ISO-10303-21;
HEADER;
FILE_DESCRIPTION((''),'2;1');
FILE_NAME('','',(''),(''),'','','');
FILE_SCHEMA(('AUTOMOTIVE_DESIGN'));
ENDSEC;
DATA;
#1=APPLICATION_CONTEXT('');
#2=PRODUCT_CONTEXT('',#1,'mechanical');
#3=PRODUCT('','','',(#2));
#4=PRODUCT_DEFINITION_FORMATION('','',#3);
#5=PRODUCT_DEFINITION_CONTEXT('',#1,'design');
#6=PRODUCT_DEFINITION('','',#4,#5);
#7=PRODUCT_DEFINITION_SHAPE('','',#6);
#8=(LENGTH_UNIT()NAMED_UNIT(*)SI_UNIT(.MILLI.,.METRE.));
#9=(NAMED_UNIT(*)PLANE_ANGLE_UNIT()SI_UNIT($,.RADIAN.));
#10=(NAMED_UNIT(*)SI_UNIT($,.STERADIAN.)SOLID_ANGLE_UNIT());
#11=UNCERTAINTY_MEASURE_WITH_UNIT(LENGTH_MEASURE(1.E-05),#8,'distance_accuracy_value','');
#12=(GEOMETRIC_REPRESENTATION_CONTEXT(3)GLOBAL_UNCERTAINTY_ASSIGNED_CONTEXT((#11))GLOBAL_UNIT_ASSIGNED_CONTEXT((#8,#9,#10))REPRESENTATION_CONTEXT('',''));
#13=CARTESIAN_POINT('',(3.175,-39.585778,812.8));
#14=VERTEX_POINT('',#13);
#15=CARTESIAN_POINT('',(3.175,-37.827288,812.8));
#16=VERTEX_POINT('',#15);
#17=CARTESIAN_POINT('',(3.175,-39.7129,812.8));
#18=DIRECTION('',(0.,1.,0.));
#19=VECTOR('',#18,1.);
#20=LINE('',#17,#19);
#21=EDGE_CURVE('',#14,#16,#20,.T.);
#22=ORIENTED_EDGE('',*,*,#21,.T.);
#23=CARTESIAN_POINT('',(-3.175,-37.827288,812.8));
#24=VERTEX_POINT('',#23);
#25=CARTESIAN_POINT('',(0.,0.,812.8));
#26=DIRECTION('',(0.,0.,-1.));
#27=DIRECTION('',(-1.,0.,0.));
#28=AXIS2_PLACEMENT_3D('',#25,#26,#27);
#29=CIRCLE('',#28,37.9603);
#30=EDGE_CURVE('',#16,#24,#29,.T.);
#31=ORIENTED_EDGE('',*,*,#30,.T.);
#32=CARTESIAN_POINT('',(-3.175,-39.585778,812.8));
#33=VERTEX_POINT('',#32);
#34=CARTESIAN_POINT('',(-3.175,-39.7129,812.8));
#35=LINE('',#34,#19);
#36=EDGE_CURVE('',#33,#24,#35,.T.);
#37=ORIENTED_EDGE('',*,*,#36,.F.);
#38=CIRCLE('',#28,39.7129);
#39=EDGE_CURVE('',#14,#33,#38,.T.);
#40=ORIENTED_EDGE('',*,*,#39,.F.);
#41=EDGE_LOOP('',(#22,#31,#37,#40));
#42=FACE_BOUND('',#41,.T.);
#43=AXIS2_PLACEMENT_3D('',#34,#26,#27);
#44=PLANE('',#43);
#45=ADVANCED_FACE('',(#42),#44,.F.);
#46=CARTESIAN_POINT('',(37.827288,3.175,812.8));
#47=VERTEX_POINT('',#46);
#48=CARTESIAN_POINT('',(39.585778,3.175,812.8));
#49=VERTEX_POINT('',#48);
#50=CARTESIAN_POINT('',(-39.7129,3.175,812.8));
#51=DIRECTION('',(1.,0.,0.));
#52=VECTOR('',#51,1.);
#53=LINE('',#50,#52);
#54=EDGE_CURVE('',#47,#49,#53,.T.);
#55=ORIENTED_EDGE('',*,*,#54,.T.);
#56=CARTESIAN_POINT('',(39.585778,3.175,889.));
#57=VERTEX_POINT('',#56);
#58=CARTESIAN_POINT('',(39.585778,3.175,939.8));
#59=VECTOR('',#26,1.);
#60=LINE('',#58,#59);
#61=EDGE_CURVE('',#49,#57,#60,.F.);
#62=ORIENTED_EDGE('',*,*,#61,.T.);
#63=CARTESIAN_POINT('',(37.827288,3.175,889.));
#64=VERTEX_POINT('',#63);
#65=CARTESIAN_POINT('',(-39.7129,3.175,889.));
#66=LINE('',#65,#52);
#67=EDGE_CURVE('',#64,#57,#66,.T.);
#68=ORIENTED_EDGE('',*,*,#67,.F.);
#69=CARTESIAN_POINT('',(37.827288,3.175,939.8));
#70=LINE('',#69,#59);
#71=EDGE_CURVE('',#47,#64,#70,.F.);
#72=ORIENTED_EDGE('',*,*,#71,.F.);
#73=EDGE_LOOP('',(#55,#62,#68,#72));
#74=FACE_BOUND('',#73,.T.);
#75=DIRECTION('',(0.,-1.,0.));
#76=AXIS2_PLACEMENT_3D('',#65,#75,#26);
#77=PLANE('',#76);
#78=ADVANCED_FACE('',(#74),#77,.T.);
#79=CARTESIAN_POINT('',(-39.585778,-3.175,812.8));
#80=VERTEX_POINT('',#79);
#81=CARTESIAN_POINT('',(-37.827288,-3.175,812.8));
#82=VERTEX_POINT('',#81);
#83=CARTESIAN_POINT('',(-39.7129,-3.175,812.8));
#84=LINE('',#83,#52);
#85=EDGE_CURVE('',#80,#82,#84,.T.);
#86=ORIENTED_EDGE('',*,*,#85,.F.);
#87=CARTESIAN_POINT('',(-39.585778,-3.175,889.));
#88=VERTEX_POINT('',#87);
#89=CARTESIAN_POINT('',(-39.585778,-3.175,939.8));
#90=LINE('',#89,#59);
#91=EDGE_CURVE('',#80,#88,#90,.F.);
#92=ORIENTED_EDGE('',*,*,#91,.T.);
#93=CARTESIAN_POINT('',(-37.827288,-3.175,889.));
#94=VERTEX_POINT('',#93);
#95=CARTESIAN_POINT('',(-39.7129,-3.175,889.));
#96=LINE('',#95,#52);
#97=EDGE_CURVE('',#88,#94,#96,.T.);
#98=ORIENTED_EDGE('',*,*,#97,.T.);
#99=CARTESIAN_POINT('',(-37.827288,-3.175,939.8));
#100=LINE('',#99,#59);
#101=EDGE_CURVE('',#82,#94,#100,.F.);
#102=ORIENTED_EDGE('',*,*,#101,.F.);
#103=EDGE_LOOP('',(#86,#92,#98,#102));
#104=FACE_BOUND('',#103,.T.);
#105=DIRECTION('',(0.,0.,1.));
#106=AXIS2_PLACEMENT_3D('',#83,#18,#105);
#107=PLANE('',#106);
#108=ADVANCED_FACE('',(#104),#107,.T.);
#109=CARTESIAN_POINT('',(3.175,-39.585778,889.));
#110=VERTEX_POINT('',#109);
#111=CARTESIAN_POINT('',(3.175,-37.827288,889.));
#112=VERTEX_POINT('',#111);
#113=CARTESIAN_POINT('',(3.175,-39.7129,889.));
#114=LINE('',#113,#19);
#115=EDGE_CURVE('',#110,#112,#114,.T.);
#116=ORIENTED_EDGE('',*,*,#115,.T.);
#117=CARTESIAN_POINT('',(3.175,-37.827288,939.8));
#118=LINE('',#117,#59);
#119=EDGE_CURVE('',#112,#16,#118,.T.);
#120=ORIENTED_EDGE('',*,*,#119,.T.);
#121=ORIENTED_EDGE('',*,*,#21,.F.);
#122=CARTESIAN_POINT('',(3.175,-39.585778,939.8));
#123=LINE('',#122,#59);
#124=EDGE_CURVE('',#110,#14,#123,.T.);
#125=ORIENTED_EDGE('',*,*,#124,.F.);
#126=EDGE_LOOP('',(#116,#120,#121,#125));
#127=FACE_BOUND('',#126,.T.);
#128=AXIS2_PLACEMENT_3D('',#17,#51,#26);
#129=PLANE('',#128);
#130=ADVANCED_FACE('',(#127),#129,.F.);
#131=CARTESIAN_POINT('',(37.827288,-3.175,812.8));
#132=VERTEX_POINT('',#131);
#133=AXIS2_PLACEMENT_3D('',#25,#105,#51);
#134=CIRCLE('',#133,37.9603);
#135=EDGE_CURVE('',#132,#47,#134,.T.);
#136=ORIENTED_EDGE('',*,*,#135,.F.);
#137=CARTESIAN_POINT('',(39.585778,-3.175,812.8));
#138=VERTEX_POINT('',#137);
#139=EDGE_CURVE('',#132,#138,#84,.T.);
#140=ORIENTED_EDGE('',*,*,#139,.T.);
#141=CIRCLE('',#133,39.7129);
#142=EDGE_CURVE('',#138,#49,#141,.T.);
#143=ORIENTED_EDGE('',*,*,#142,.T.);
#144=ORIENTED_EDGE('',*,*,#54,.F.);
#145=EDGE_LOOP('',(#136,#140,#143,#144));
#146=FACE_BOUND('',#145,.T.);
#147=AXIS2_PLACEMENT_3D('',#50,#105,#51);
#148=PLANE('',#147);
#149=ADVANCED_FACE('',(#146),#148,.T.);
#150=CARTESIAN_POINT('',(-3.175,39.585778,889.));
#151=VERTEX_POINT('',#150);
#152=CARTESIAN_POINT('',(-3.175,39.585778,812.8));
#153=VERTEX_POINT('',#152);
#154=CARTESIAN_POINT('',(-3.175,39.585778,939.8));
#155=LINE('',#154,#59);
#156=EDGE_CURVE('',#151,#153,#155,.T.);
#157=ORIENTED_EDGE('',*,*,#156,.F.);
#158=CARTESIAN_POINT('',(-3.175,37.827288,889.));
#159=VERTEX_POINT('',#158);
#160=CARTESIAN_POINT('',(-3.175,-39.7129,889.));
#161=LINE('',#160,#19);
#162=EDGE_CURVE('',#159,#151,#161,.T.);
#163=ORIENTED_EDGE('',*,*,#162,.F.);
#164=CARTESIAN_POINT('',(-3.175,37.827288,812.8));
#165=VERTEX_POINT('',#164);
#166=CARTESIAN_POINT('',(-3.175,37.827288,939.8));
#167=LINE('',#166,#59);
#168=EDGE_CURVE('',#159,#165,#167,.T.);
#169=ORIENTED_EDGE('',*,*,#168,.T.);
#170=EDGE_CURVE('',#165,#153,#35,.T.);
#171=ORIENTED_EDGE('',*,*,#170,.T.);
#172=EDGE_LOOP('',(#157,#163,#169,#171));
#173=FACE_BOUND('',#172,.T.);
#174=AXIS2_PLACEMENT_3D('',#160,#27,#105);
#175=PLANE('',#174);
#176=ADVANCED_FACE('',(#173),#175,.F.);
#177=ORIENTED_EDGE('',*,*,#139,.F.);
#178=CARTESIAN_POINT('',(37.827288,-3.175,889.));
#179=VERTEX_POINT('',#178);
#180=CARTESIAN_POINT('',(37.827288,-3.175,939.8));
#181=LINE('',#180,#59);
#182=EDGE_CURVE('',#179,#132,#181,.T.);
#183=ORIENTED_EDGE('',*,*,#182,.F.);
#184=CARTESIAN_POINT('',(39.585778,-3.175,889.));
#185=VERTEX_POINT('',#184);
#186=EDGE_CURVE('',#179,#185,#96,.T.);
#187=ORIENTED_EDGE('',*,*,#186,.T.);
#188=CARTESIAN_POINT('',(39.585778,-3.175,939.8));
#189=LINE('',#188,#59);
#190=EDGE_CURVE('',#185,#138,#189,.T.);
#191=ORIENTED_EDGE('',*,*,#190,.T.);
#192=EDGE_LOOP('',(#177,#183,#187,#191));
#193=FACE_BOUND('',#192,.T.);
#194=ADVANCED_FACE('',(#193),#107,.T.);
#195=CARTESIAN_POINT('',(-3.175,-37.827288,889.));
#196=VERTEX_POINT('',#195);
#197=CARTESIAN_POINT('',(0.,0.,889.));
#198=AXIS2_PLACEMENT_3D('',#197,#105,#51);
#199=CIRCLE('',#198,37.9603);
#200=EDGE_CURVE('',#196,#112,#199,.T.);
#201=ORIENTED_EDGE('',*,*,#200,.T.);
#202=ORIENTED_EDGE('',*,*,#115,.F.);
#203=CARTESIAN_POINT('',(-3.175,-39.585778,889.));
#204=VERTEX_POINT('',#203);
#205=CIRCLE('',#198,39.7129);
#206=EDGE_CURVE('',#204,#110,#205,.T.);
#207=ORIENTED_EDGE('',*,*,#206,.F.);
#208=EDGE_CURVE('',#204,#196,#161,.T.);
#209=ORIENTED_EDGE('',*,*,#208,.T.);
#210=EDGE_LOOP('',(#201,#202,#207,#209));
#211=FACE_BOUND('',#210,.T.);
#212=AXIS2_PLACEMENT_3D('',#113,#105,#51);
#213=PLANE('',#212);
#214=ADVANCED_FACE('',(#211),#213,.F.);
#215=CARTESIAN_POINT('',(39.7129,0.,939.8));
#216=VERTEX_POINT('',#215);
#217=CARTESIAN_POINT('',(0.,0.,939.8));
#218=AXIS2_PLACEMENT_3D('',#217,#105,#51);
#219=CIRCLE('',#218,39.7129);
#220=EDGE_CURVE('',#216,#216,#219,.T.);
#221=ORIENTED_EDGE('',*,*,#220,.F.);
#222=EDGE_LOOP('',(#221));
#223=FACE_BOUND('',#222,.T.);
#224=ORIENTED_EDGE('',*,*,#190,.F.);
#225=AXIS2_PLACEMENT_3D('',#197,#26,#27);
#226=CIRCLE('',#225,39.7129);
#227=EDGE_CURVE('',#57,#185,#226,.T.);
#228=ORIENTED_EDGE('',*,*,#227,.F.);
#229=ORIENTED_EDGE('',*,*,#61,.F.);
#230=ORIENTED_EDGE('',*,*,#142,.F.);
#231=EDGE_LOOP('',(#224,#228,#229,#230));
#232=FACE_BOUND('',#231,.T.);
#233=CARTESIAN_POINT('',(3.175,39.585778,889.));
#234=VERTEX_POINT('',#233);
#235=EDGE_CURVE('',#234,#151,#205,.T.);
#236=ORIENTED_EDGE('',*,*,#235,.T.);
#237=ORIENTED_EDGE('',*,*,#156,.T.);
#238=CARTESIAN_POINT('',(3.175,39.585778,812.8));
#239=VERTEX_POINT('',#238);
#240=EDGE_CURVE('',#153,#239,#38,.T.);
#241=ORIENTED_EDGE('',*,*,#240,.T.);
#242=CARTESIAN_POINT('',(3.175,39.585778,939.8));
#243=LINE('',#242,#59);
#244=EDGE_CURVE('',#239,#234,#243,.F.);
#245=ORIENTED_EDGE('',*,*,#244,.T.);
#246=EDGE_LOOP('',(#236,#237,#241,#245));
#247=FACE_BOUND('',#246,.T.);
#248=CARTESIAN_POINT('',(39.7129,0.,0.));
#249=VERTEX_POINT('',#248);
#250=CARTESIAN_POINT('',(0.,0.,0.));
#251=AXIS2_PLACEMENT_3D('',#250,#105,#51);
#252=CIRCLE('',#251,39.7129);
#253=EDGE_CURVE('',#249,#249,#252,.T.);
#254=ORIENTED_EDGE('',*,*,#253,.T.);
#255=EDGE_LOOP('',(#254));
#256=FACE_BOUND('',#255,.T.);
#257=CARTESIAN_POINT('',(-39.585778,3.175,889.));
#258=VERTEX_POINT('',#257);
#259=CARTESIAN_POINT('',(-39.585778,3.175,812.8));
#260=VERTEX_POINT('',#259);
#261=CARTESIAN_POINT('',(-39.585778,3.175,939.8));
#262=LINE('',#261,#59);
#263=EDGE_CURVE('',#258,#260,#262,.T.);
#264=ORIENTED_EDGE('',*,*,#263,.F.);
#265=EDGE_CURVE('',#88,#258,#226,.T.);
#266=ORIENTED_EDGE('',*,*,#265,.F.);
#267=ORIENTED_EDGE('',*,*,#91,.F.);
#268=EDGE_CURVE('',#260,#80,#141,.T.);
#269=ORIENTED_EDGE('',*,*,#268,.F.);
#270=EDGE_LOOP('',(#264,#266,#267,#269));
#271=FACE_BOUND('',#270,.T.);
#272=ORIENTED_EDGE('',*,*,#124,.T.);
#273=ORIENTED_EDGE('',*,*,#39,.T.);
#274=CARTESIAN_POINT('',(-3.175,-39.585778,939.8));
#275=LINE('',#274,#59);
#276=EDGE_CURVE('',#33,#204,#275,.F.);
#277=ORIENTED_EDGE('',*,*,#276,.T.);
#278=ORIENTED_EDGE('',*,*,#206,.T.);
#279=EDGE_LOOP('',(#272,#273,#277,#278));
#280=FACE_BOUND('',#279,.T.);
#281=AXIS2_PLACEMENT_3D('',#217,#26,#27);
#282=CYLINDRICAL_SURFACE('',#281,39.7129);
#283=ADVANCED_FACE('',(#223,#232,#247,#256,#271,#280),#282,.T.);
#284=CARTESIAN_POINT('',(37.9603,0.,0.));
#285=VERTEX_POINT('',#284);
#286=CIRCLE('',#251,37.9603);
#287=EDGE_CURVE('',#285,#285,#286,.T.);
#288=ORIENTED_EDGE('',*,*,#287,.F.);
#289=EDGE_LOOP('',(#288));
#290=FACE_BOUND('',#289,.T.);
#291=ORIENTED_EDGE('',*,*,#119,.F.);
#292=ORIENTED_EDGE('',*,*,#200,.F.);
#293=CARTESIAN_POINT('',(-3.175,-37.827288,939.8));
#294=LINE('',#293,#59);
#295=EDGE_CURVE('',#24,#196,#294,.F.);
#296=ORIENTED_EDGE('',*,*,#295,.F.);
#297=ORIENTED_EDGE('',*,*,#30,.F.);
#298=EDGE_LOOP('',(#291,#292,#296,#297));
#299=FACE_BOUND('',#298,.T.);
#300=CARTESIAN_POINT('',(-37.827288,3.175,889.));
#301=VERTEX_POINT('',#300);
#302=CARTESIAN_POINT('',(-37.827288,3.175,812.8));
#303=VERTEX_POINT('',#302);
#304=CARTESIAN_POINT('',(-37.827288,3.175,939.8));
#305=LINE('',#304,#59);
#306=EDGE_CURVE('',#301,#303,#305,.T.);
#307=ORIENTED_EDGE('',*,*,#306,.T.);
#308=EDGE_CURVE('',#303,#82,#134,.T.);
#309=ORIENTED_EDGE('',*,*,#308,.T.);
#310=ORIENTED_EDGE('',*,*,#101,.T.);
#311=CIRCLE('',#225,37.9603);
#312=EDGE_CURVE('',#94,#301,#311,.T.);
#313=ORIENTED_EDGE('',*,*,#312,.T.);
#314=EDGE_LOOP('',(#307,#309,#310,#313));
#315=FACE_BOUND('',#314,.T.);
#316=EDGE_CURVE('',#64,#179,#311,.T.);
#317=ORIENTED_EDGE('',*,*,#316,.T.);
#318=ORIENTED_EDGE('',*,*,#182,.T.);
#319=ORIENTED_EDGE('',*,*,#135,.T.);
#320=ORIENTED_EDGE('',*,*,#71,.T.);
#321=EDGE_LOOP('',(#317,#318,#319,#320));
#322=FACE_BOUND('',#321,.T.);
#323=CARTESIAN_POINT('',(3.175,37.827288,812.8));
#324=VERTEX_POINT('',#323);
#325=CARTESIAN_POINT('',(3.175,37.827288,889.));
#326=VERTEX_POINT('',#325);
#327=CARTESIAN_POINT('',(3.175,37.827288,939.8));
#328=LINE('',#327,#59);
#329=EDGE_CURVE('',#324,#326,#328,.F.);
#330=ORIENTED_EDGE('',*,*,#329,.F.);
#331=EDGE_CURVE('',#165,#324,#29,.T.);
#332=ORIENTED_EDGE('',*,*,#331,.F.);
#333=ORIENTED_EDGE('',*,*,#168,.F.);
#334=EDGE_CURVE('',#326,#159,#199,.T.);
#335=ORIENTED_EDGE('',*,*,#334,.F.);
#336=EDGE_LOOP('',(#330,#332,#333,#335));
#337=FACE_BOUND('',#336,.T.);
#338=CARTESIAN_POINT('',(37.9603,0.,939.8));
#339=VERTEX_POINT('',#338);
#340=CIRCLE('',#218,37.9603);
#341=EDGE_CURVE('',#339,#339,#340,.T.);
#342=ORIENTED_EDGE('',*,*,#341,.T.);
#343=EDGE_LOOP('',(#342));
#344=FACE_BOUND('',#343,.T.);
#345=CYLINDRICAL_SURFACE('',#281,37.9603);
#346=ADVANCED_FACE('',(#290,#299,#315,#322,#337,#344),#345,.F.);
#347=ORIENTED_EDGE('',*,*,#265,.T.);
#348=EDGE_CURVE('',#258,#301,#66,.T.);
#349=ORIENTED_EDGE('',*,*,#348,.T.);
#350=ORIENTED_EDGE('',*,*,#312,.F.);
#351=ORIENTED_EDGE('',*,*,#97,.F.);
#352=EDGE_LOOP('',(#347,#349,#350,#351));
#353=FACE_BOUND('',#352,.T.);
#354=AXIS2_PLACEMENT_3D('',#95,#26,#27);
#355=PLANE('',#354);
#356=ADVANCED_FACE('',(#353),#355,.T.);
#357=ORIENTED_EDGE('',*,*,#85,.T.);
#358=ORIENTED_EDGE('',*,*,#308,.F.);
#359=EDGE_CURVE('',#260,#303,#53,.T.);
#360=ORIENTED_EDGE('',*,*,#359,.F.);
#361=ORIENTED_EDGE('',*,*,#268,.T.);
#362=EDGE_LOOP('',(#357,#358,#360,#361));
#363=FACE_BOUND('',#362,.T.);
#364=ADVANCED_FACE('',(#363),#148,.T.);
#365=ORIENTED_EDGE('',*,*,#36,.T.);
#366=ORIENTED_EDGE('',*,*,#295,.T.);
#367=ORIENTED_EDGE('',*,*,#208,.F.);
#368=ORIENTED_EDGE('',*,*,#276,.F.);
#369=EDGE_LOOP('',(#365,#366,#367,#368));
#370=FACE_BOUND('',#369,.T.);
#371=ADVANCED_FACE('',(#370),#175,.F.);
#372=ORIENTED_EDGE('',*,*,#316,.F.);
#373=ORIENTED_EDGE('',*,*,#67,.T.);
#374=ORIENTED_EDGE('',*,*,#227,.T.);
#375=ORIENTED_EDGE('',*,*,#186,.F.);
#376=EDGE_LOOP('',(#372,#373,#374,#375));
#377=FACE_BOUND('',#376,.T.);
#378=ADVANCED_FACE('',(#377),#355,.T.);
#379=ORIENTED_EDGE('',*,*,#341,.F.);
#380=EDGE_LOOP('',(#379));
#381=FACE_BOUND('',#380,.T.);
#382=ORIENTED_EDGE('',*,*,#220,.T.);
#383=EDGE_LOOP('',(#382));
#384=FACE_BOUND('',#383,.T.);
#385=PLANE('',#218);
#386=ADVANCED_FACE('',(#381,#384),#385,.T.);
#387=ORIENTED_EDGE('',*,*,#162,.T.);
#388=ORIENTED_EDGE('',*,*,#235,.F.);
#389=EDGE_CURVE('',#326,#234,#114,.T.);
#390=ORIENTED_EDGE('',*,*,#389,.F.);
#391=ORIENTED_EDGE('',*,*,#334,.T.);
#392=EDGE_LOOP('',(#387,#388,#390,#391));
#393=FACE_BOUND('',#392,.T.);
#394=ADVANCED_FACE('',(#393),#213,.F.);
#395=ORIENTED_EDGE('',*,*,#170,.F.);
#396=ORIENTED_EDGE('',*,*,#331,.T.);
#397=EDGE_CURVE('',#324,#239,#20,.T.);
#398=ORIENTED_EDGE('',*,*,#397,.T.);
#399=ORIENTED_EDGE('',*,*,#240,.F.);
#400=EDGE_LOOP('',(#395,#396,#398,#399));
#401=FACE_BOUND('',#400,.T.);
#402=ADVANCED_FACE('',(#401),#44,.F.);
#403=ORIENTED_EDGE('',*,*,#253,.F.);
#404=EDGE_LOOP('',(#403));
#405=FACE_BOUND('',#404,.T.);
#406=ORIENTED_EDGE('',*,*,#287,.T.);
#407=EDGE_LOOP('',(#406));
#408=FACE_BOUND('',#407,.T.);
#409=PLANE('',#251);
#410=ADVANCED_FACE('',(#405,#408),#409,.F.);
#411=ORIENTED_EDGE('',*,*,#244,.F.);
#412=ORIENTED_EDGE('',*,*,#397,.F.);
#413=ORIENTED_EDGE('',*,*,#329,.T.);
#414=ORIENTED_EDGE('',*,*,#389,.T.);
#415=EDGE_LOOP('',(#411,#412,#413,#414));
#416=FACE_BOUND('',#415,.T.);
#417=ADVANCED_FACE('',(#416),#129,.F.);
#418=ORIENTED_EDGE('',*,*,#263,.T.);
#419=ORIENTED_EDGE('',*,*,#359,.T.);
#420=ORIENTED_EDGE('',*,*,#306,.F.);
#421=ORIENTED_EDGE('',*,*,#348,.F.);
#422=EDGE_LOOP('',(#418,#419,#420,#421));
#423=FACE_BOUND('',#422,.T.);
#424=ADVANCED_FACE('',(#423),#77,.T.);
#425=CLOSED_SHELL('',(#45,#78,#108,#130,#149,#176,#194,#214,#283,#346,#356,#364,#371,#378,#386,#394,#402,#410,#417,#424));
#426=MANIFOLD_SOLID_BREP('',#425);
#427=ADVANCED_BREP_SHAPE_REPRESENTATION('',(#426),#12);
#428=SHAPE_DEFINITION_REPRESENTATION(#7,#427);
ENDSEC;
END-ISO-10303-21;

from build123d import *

# Parameters (mm, degrees)
SKETCH1_R               = 39.7129
SKETCH1_R_2             = 37.9603
BOSS_EXTRUDE1_DEPTH     = 939.8
CUT_EXTRUDE1_DEPTH      = 942.476642755
CUT_EXTRUDE1_DEPTH_BACK = 942.476642755
SKETCH3_W               = 6.35
SKETCH3_H               = 76.2
CUT_EXTRUDE2_DEPTH      = 942.476642755
CUT_EXTRUDE2_DEPTH_BACK = 942.476642755
SKETCH4_W               = 76.2
SKETCH4_H               = 6.35


with BuildPart() as part:
    # Sketch1 → Boss-Extrude1 (new body)
    with BuildSketch(Plane.XY):
        Circle(SKETCH1_R)
        Circle(SKETCH1_R_2, mode=Mode.SUBTRACT)
    extrude(amount=BOSS_EXTRUDE1_DEPTH)

    # Sketch3 → Cut-Extrude1 (cut, two sides: drawn at the far end of the back side and taken through both)
    with BuildSketch(Plane(origin=(0, 0, 0), x_dir=(1, 0, 0), z_dir=(0, 1, 0)).offset(-CUT_EXTRUDE1_DEPTH_BACK)):
        with Locations((0, -850.9)):
            Rectangle(SKETCH3_W, SKETCH3_H)
    extrude(amount=CUT_EXTRUDE1_DEPTH + CUT_EXTRUDE1_DEPTH_BACK, mode=Mode.SUBTRACT)

    # Sketch4 → Cut-Extrude2 (cut, two sides: drawn at the far end of the back side and taken through both)
    with BuildSketch(Plane(origin=(0, 0, 0), x_dir=(0, 0, -1), z_dir=(1, 0, 0)).offset(-CUT_EXTRUDE2_DEPTH_BACK)):
        with Locations((-850.9, 0)):
            Rectangle(SKETCH4_W, SKETCH4_H)
    extrude(amount=CUT_EXTRUDE2_DEPTH + CUT_EXTRUDE2_DEPTH_BACK, mode=Mode.SUBTRACT)


solid = part.part
